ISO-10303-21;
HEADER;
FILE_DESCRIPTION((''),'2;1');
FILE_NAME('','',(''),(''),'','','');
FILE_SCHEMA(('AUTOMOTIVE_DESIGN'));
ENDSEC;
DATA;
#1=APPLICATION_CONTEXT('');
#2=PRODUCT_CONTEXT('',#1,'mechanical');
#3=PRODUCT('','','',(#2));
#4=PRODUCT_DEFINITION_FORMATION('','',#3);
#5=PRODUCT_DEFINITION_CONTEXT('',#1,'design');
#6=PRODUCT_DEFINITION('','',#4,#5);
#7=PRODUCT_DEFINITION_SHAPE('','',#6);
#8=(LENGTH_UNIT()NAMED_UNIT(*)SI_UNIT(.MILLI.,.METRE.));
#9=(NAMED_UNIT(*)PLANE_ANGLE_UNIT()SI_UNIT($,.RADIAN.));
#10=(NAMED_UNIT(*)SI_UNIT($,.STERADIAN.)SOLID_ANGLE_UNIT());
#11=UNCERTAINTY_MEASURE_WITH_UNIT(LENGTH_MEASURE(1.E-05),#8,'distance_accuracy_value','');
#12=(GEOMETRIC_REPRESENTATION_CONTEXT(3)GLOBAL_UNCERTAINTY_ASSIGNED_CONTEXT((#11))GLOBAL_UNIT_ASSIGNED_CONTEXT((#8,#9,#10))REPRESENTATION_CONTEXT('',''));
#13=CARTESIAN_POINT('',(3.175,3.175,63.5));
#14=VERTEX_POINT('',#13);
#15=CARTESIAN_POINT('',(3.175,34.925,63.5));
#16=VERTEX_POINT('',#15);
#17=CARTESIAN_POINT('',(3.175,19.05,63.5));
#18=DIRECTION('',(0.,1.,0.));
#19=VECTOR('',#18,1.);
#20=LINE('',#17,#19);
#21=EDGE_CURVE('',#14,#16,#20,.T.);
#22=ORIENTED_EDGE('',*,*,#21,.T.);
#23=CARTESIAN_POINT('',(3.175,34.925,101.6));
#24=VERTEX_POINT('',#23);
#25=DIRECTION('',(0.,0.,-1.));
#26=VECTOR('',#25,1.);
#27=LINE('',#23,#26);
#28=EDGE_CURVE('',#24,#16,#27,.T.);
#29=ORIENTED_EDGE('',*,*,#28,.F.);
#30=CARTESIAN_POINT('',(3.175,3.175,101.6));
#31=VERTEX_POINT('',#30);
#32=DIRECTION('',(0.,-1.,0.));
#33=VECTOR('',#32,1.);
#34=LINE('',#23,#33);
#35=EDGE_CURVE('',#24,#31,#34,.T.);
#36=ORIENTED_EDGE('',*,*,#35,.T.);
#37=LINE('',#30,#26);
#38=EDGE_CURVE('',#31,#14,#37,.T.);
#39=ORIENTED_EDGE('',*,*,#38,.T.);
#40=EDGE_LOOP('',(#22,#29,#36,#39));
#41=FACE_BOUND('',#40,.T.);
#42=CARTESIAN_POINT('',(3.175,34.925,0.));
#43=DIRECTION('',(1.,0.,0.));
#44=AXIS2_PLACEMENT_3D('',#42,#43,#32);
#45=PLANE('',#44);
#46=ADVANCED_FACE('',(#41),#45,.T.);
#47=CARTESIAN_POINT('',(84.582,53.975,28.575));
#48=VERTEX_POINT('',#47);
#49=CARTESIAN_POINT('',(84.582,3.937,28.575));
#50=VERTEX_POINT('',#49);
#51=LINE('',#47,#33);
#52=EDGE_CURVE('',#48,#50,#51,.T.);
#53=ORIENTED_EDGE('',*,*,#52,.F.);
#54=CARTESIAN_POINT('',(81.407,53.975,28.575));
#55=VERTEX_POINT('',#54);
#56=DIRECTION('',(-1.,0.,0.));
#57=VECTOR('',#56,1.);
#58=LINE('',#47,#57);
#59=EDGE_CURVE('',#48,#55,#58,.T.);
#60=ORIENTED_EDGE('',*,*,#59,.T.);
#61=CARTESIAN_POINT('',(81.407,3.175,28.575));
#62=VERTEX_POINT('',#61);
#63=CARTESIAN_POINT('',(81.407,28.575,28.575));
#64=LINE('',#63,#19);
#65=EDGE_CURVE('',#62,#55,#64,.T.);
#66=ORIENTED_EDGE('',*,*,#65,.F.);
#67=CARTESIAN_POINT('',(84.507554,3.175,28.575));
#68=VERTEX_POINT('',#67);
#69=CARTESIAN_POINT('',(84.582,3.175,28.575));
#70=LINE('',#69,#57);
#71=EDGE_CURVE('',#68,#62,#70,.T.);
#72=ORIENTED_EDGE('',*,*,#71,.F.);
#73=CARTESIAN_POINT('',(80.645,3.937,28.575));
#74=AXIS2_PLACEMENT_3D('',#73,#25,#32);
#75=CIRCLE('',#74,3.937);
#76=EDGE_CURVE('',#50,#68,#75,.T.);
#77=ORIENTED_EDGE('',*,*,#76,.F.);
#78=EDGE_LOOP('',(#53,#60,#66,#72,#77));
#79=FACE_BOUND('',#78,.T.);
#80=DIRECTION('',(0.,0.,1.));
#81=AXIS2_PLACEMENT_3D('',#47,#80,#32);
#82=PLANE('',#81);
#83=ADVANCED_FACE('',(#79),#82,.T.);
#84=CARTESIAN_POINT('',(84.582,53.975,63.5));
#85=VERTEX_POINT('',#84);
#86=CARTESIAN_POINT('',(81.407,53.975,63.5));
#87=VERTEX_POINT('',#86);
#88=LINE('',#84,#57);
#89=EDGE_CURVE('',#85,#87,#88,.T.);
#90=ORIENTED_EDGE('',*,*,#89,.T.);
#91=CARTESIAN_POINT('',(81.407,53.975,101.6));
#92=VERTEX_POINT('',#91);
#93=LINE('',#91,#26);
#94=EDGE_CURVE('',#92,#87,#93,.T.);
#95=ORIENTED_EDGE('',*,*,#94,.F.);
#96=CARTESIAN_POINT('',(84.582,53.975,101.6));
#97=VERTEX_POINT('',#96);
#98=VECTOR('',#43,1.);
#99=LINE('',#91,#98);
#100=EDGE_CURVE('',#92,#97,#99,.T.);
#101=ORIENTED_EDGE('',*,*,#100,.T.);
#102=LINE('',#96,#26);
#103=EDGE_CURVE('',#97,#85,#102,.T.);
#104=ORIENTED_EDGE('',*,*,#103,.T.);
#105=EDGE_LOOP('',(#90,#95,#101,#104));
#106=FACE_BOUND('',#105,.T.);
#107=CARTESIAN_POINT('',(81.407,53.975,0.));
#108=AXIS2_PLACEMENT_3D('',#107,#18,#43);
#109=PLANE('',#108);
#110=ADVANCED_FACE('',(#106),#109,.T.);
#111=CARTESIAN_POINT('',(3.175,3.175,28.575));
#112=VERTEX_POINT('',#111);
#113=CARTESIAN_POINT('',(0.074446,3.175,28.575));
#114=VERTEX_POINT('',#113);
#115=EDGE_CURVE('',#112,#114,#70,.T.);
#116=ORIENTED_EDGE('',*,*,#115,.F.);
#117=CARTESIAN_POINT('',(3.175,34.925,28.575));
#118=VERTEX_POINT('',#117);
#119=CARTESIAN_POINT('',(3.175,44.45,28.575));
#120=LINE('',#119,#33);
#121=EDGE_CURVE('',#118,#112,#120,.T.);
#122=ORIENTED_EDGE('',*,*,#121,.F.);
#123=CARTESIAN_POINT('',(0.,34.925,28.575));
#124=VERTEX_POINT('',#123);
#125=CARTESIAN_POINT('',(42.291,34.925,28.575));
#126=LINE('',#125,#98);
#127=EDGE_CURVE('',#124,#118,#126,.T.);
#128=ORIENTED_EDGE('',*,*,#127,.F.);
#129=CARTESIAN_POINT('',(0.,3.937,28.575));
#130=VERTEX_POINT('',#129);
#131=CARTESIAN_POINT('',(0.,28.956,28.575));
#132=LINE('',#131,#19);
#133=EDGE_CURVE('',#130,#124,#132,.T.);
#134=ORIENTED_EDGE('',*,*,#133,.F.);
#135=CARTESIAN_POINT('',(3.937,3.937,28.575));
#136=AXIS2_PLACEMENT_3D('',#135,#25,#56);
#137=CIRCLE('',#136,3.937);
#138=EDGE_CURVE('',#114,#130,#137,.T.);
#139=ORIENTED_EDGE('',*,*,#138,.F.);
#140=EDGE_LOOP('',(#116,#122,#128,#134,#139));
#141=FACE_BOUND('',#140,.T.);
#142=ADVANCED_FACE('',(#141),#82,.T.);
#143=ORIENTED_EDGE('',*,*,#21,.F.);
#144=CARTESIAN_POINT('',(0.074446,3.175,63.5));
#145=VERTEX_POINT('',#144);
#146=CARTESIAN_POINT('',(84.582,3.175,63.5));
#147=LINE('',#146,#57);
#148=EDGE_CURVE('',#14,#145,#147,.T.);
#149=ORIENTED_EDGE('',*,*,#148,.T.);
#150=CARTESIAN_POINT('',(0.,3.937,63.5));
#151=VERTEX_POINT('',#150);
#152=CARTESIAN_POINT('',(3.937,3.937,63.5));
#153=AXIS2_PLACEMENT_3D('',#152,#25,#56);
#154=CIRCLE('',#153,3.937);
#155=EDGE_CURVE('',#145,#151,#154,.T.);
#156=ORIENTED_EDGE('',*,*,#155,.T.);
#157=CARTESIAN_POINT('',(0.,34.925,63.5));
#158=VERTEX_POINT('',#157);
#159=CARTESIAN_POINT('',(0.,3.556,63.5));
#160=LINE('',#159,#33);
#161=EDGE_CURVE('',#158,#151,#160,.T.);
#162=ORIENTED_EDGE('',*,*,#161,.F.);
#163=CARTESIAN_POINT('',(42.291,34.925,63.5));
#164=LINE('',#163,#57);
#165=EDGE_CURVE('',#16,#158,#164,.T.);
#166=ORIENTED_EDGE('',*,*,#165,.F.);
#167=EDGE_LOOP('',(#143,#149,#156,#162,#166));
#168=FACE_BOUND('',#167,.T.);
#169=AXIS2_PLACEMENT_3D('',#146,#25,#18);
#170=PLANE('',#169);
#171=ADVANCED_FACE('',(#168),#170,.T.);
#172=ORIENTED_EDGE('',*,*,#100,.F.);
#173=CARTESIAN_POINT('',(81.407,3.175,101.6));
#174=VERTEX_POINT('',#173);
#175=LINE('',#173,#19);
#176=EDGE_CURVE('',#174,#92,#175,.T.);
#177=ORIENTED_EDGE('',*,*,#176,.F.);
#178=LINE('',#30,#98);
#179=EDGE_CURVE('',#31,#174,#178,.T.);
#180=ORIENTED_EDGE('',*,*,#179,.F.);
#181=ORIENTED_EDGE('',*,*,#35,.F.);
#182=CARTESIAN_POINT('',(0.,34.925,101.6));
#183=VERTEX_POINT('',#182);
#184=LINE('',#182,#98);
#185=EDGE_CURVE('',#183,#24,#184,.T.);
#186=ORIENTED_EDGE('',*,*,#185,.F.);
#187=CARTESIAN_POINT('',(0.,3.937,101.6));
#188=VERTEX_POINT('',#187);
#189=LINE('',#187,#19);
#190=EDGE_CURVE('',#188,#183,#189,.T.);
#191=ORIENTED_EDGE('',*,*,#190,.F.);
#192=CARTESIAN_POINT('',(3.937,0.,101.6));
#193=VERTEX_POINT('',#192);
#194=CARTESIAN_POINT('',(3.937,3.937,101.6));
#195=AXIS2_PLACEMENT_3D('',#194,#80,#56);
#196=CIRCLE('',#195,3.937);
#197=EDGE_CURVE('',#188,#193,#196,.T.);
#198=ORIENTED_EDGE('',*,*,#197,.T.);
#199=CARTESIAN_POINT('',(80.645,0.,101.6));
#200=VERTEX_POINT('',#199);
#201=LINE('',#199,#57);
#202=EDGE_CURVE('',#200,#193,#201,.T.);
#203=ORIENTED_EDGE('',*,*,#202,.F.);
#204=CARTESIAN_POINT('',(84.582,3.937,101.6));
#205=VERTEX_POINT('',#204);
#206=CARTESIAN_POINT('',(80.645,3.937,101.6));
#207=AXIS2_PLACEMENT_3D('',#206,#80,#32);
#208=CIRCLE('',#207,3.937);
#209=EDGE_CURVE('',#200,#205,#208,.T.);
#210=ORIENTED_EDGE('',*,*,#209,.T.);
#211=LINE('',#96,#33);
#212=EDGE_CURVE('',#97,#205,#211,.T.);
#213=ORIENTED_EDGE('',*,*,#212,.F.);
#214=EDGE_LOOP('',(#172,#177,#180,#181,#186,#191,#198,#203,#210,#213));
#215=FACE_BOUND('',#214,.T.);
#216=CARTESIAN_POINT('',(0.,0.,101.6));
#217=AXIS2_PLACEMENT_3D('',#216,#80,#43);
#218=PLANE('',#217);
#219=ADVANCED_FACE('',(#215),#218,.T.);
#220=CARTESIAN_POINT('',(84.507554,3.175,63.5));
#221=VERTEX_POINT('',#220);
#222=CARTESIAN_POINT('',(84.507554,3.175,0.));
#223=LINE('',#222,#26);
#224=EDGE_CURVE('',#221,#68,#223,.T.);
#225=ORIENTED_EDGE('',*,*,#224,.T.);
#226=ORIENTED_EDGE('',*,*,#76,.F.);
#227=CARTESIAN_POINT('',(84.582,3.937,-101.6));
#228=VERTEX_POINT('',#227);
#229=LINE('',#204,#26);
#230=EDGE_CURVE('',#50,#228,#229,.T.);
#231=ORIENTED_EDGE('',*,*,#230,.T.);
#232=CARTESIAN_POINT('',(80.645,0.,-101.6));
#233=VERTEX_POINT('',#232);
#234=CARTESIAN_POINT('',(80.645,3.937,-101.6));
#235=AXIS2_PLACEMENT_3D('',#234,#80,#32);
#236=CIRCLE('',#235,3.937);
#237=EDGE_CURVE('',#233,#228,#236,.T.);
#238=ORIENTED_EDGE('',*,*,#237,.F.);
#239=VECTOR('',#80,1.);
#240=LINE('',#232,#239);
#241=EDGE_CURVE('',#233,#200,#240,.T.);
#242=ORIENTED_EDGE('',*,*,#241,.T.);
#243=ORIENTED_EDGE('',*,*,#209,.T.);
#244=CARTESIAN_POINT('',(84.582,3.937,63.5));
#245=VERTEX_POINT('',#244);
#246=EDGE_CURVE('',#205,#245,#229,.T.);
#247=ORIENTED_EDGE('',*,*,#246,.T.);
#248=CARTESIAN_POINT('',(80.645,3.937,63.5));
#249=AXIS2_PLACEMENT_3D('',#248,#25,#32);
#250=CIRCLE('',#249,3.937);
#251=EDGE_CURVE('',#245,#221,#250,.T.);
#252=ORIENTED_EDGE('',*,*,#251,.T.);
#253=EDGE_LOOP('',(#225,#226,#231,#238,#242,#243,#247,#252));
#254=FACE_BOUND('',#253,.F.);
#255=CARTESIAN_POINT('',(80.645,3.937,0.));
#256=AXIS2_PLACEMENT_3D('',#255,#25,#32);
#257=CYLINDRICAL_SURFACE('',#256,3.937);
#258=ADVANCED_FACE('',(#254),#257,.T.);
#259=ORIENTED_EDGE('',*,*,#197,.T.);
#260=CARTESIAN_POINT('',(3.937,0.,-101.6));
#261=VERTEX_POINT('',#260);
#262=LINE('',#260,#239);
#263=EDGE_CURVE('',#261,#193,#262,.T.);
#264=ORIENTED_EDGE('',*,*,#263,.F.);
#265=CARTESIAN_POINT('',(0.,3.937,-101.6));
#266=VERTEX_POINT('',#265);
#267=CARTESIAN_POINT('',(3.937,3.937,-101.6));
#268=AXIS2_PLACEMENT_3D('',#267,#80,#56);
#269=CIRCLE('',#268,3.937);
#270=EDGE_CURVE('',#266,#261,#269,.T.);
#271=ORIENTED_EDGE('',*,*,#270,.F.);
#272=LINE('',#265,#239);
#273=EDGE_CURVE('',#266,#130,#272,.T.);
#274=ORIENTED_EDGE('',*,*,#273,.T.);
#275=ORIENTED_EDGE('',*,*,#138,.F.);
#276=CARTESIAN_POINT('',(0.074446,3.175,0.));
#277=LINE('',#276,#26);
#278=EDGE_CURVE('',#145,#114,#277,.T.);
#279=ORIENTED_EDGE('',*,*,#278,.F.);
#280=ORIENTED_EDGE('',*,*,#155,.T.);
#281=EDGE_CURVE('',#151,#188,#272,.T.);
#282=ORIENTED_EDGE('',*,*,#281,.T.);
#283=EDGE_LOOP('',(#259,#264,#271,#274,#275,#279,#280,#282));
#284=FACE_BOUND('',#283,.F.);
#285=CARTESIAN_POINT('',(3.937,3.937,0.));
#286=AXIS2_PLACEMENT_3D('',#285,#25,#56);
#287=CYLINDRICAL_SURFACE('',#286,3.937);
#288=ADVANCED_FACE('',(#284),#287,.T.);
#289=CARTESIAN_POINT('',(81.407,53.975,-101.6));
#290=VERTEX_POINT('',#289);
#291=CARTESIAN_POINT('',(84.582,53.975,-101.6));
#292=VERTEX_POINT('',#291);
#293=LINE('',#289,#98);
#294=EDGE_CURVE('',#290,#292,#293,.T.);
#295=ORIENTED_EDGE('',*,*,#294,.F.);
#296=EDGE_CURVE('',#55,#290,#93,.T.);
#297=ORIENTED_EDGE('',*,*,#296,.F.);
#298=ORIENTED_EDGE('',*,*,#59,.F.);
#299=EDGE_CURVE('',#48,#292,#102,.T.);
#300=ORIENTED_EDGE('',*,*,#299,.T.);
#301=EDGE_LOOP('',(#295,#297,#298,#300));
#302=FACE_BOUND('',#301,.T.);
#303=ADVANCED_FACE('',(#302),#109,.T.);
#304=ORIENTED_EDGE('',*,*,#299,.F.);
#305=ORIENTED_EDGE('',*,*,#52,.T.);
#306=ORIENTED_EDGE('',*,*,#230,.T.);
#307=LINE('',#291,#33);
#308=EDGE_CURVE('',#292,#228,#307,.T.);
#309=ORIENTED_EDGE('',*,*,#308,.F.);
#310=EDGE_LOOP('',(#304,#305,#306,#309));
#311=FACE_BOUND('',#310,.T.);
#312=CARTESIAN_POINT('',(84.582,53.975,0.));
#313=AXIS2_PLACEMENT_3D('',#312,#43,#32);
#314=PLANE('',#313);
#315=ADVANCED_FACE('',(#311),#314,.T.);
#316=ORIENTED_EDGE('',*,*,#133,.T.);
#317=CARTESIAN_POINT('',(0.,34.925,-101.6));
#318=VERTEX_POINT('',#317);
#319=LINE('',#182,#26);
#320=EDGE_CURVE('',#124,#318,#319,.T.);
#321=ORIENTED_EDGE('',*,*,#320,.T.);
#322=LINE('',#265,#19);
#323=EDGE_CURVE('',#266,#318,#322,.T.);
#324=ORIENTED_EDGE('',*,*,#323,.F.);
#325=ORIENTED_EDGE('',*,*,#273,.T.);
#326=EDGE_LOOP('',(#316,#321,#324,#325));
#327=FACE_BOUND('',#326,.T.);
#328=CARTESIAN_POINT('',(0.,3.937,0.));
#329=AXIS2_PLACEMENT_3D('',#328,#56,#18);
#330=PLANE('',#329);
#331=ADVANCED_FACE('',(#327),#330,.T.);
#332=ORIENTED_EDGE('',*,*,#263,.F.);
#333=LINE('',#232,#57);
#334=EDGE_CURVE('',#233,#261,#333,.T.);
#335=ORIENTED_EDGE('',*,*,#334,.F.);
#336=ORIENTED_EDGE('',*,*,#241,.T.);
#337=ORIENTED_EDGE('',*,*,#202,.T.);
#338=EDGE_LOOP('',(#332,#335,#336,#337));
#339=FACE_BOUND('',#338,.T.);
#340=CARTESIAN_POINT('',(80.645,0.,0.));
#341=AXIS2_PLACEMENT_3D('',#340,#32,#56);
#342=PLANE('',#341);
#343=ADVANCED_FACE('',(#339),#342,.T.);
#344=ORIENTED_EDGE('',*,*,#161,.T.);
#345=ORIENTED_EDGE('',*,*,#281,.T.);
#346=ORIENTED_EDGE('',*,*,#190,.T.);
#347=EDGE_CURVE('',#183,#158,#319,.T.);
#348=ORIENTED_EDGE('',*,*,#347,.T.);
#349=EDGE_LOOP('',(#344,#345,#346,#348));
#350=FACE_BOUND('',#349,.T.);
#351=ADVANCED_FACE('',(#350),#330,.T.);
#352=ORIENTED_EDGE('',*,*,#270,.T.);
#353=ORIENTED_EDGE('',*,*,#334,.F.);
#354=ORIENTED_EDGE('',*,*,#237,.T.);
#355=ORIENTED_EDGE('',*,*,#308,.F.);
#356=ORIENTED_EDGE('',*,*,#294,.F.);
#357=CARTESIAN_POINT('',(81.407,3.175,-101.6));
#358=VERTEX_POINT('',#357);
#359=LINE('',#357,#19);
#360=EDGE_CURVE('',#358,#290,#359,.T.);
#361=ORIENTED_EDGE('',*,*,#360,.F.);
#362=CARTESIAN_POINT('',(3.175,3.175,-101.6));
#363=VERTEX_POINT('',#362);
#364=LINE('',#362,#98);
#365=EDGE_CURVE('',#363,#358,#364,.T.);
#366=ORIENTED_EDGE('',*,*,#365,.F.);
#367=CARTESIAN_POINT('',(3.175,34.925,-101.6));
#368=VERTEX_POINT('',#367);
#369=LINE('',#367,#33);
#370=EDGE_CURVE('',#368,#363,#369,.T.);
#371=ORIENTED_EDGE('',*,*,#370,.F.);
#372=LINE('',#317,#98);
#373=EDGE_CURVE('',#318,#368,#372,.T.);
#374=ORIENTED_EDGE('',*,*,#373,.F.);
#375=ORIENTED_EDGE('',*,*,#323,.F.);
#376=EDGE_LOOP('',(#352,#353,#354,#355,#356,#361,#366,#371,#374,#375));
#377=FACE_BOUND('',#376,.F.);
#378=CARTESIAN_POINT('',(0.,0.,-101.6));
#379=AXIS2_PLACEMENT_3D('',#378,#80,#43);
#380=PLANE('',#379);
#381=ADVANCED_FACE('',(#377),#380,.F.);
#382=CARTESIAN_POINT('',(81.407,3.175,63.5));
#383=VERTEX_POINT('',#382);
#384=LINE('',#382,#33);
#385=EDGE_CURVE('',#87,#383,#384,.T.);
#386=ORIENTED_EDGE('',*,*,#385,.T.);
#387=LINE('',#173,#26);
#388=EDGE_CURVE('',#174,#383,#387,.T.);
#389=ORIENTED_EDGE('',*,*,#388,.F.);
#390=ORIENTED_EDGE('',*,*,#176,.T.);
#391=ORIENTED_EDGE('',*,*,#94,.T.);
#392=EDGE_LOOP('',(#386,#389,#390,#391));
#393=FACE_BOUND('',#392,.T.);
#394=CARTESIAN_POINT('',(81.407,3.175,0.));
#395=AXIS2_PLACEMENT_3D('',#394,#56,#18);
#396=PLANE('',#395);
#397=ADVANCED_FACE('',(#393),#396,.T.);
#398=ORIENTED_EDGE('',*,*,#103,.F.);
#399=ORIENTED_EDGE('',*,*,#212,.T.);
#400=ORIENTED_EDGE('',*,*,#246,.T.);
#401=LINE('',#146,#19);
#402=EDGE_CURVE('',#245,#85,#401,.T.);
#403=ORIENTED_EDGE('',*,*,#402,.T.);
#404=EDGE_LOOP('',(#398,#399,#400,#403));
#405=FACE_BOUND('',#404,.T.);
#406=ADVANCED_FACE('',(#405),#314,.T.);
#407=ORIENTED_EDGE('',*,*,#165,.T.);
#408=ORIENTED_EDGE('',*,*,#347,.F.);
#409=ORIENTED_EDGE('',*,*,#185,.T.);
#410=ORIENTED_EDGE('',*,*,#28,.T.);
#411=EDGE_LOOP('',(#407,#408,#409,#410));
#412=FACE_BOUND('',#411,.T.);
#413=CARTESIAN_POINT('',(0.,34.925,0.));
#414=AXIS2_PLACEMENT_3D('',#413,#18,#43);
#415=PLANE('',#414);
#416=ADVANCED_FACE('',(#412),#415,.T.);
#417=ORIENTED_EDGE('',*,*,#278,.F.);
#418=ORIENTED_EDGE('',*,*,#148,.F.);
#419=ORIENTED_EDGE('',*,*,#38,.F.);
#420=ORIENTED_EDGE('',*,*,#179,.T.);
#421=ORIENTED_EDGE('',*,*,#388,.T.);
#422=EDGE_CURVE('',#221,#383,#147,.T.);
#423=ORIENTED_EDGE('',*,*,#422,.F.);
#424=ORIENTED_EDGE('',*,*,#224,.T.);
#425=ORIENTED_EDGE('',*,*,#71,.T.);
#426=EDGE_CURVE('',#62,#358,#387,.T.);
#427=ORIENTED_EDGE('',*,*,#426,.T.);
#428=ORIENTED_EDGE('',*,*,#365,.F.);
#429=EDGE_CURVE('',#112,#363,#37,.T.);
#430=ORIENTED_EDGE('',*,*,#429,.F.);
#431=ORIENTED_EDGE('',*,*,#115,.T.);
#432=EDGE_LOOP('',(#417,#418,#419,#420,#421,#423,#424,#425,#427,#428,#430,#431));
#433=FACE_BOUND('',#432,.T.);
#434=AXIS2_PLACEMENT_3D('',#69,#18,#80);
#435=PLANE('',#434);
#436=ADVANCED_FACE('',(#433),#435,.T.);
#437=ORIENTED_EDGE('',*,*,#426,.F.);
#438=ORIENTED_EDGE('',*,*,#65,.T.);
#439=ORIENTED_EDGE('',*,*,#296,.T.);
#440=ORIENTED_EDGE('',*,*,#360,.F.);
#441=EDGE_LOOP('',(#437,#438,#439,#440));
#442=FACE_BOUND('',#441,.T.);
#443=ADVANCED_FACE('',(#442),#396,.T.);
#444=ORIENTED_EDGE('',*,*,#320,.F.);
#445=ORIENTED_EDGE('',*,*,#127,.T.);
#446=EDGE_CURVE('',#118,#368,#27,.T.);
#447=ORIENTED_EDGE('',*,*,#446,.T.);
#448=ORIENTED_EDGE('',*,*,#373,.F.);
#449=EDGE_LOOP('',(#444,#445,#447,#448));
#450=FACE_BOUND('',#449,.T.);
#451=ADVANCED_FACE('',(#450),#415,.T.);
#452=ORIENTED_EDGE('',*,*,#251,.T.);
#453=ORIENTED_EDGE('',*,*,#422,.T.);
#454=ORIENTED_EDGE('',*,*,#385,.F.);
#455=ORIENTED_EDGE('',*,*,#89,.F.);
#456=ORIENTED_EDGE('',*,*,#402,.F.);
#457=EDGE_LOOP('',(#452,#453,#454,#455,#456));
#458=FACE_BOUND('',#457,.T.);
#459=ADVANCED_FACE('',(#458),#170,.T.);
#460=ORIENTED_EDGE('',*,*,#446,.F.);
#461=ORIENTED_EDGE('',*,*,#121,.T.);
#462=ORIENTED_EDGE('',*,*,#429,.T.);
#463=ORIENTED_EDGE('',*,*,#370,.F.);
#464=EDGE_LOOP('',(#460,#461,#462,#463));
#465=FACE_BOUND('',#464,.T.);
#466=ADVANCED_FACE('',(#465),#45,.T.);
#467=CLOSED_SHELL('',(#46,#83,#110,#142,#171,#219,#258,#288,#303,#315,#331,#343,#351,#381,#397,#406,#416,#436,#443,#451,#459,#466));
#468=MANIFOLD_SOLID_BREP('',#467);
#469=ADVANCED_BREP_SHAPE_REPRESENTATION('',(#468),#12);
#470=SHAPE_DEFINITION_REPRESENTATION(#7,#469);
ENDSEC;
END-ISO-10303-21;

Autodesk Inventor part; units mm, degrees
ref_plane "YZ Plane" through (0, 0, 0) normal (1, 0, 0) x (0, 1, 0)
ref_plane "XZ Plane" through (0, 0, 0) normal (0, 1, 0) x (-1, 0, 0)
sketch "Sketch1" plane through (0, 0, 0) normal (0, 0, 1) x (1, 0, 0)
  line L0 (0, 3.937) -> (0, 34.925)
  line L1 (0, 34.925) -> (3.175, 34.925)
  line L2 (3.175, 34.925) -> (3.175, 3.175)
  line L3 (3.175, 3.175) -> (81.407, 3.175)
  line L4 (81.407, 3.175) -> (81.407, 53.975)
  line L5 (81.407, 53.975) -> (84.582, 53.975)
  line L6 (84.582, 53.975) -> (84.582, 3.937)
  line L7 (80.645, 0) -> (3.937, 0)
  arc A0 (80.645, 0) -> (84.582, 3.937) centre (80.645, 3.937) ccw
  arc A1 (0, 3.937) -> (3.937, 0) centre (3.937, 3.937) ccw
  point P0 (0, 0)
  dimension "d0" = 34.925
  dimension "d1" = 3.175
  dimension "d2" = 31.75
  dimension "d3" = 78.232
  dimension "d4" = 50.8
  dimension "d5" = 3.175
  dimension "d6" = 3.937
  dimension "d7" = 3.937
extrude "Extrusion1" add sketch "Sketch1" along normal mid plane 203.2
sketch "Sketch2" plane through (84.582, 3.937, 101.6) normal (1, 0, 0) x (0, 0, -1)
  line L0 (203.2, -0.762) -> (0, -0.762) projected
  line L1 (203.2, 50.038) -> (0, 50.038) projected
  line L2 (73.025, -0.762) -> (38.1, -0.762)
  line L3 (38.1, -0.762) -> (38.1, 50.038)
  line L4 (38.1, 50.038) -> (73.025, 50.038)
  line L5 (73.025, 50.038) -> (73.025, -0.762)
  line L6 (0, 0) -> (0, 50.038) projected
  point P0 (101.6, -3.937)
  point P1 (38.1, -0.762)
  dimension "d10" = 38.1
  dimension "d11" = 34.925
extrude "Extrusion2" cut sketch "Sketch2" against normal through all
properties part number "2020 Front Plate"
